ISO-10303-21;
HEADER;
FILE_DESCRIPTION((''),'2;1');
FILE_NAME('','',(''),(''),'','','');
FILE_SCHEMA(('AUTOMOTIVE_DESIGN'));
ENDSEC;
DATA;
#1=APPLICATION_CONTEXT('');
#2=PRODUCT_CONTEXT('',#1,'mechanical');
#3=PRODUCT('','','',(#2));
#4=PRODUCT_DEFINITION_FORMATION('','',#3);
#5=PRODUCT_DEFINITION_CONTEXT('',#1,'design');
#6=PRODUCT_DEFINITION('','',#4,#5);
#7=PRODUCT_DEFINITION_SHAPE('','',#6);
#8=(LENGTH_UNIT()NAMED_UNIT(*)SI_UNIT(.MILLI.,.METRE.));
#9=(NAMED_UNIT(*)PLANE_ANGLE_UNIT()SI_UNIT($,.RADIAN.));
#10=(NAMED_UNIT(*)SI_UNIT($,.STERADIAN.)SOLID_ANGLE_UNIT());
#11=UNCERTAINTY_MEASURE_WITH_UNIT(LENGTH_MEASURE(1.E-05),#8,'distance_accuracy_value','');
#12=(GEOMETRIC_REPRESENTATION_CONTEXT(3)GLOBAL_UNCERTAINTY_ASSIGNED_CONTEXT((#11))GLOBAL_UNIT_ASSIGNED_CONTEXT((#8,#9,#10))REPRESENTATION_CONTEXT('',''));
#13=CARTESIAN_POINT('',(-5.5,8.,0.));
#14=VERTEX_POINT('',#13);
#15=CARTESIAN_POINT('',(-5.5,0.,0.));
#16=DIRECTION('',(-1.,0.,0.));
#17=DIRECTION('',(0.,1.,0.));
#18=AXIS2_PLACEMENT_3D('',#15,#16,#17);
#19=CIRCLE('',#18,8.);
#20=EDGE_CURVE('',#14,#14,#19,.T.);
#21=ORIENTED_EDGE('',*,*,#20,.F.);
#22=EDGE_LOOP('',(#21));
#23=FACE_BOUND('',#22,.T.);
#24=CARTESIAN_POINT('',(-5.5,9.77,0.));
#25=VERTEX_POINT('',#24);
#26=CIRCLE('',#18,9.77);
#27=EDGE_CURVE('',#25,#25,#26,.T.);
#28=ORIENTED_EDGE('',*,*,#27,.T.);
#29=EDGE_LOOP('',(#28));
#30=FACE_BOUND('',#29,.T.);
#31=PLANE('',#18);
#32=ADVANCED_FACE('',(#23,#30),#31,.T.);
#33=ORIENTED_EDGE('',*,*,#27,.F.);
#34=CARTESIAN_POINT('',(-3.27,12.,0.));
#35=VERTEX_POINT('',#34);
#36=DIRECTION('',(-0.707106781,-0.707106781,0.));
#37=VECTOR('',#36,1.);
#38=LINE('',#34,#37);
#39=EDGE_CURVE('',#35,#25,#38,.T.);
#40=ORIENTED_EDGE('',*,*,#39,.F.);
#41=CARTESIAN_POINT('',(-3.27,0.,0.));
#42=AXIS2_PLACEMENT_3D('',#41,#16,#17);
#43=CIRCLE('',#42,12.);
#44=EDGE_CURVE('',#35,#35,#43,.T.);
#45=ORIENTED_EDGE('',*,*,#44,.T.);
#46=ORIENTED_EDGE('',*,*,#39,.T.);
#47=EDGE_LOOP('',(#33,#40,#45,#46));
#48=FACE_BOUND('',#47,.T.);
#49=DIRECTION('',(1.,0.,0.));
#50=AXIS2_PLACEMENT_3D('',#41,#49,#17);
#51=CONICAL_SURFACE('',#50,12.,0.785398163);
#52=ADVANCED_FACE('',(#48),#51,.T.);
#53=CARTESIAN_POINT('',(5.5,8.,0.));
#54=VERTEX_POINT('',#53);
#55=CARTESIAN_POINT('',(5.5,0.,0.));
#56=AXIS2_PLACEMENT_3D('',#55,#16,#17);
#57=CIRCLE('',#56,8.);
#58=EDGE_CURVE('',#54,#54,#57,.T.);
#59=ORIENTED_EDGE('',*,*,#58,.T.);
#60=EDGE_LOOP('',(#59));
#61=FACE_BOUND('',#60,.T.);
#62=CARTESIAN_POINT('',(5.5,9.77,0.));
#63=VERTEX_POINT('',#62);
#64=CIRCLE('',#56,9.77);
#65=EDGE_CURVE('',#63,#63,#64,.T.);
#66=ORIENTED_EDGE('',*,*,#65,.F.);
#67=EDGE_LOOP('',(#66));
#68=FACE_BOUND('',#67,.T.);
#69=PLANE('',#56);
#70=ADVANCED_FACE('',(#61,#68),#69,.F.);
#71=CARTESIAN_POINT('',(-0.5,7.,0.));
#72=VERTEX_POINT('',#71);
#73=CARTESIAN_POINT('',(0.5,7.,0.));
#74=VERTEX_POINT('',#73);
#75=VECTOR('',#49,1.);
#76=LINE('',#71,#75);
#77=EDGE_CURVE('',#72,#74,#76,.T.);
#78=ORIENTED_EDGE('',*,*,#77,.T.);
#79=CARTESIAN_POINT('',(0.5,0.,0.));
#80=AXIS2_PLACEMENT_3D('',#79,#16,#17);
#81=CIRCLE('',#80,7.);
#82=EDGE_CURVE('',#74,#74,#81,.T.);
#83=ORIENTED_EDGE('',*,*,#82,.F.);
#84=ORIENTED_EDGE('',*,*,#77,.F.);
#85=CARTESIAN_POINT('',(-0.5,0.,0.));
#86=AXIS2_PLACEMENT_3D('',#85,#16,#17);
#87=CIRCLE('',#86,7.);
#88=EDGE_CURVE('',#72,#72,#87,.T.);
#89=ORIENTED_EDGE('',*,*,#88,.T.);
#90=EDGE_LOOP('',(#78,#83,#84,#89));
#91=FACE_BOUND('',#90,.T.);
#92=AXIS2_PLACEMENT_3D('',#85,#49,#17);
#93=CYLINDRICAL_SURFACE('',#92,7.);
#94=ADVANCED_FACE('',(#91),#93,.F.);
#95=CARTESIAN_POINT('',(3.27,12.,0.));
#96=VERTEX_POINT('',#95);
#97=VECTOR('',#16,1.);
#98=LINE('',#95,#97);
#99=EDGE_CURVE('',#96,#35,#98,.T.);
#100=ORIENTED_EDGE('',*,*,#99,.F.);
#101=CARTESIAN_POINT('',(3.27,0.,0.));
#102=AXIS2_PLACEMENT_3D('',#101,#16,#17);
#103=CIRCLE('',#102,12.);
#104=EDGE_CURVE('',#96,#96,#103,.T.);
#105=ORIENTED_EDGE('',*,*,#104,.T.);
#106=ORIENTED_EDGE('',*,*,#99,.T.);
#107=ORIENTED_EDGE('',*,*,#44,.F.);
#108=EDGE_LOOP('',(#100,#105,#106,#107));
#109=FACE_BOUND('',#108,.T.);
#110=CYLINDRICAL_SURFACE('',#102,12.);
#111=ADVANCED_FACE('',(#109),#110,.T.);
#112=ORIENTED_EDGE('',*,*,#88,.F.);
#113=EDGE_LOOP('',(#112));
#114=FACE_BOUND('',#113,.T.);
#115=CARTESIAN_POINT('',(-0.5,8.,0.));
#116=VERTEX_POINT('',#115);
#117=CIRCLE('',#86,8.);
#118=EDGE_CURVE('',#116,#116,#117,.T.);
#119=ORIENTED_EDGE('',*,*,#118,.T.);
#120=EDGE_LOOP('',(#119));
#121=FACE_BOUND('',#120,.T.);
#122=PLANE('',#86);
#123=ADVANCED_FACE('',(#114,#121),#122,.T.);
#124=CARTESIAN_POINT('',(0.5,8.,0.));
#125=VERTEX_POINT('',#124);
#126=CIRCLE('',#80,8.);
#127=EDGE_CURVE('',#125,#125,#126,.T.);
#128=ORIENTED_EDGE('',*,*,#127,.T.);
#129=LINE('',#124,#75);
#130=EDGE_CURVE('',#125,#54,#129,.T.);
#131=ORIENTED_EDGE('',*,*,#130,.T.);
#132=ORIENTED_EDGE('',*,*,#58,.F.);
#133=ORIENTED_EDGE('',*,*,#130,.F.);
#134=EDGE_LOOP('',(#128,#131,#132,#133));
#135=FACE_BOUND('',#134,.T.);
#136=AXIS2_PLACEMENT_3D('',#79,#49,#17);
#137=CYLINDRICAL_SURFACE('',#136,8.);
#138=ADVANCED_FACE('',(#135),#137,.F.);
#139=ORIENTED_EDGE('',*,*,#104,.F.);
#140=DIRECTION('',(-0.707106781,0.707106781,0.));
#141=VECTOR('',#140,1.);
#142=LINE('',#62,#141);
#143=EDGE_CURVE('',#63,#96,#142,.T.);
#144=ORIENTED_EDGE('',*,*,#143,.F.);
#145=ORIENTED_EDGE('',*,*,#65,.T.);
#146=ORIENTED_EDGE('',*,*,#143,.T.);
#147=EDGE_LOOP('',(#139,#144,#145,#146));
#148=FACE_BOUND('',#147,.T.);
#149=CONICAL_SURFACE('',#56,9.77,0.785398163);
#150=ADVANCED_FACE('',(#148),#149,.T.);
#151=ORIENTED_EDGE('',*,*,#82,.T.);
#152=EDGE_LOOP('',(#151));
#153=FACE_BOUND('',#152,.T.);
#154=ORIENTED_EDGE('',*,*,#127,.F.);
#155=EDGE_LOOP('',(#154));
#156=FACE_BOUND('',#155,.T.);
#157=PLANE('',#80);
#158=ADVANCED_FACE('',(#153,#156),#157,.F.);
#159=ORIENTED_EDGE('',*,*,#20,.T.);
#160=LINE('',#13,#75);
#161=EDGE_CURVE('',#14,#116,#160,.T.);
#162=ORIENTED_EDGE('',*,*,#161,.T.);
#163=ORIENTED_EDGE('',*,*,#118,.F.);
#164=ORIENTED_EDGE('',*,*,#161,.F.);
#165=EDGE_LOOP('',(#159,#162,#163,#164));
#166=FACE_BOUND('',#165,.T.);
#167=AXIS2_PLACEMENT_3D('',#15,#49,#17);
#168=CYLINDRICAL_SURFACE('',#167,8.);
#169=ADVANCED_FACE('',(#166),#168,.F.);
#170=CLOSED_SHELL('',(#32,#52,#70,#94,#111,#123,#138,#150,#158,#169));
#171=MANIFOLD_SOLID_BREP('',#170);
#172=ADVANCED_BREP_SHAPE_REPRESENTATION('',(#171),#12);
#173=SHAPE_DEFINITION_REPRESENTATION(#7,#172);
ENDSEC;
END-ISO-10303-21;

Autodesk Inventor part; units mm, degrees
ref_plane "YZ Plane" through (0, 0, 0) normal (1, 0, 0) x (0, 1, 0)
ref_plane "XZ Plane" through (0, 0, 0) normal (0, 1, 0) x (-1, 0, 0)
ref_plane "XY Plane" through (0, 0, 0) normal (0, 0, 1) x (1, 0, 0)
sketch "Sketch1" plane through (0, 0, 0) normal (0, 0, 1) x (1, 0, 0)
  line L0 (-5.5, 9.77) -> (-5.5, 8)
  line L1 (-5.5, 8) -> (-0.5, 8)
  line L2 (-0.5, 8) -> (-0.5, 7)
  line L3 (-0.5, 7) -> (0.5, 7)
  line L4 (0.5, 7) -> (0.5, 8)
  line L5 (0.5, 8) -> (5.5, 8)
  line L6 (5.5, 8) -> (5.5, 9.77)
  line L7 (5.5, 9.77) -> (3.27, 12)
  line L8 (3.27, 12) -> (-3.27, 12)
  line L9 (-3.27, 12) -> (-5.5, 9.77)
  line L10 (0, 7) -> (0, 0) construction
  line L11 (0, 0) -> (-5.5, 0) construction
  dimension "d0" = 11
  dimension "d1" = 16
  dimension "d2" = 9.77
  dimension "d3" = 24
  dimension "d4" = 1
  dimension "d5" = 1
revolve "Revolution1" add sketch "Sketch1" angle 360 about axis through (0, 0, 0) along (-1, 0, 0)
properties part number "V-Slot wheel" material "Acetal Resin, Black"
